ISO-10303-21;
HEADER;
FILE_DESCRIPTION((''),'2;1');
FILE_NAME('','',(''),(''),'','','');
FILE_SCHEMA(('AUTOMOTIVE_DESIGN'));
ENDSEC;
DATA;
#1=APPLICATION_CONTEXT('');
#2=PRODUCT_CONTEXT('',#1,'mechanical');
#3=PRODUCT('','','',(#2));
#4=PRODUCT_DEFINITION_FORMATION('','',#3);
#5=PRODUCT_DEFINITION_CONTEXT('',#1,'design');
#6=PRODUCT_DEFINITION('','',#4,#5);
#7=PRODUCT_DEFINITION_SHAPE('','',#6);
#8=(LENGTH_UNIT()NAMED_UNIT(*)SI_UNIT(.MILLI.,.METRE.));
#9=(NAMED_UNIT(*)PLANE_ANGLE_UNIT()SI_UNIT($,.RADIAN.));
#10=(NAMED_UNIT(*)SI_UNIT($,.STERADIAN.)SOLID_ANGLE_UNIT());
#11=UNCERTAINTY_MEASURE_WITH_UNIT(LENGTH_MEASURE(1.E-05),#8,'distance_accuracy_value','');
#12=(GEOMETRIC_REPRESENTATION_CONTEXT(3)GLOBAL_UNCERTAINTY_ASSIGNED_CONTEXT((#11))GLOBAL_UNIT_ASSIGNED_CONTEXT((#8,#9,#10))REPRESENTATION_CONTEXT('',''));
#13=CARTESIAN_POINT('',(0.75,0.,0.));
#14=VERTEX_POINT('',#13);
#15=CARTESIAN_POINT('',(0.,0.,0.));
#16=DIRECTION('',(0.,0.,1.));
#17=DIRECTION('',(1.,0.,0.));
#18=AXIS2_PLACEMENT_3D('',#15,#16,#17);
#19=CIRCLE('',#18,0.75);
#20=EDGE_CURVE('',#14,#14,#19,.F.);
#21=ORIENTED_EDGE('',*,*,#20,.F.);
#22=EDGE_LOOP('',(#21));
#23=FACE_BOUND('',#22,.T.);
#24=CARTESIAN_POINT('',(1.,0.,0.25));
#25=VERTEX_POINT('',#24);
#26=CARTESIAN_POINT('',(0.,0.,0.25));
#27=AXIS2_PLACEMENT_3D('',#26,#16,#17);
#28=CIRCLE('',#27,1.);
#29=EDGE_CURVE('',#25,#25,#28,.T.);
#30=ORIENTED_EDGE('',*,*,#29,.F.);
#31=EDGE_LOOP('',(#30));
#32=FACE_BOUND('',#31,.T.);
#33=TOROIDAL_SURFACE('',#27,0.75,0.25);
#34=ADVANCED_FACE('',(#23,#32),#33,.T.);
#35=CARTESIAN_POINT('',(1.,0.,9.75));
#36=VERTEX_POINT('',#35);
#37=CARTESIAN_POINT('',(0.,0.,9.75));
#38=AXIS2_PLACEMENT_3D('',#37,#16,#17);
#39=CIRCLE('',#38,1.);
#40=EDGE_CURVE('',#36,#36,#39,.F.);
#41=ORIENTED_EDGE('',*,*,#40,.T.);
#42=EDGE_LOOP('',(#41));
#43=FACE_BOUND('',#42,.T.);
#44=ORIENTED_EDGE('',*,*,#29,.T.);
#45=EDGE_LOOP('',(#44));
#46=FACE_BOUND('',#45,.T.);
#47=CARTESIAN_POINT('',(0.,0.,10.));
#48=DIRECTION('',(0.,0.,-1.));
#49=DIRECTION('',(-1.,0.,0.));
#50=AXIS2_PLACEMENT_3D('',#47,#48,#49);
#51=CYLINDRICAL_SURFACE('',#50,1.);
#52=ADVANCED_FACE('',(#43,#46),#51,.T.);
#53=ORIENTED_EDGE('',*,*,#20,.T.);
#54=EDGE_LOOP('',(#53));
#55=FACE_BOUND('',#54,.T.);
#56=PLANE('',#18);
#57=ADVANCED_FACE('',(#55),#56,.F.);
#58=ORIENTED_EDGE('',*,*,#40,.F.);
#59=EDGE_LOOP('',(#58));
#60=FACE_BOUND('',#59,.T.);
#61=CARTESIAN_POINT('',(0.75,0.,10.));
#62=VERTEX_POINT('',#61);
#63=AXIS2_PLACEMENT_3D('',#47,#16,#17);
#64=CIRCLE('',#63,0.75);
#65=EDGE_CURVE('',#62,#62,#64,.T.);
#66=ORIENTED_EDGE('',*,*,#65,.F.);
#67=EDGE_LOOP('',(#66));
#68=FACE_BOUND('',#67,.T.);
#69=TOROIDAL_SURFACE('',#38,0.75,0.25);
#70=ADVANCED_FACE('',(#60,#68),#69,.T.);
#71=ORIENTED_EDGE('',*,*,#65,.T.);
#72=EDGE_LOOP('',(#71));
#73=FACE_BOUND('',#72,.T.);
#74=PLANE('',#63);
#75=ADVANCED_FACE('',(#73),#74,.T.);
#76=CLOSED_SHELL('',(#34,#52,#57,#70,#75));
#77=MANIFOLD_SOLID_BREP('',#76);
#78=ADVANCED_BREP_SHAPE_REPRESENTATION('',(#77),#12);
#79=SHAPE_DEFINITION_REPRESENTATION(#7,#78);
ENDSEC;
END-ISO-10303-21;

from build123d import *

# Parameters (mm, degrees)
ESQUISSE1_R        = 1
BOSS_EXTRU_1_DEPTH = 10
CONG_1_R           = 0.25


with BuildPart() as part:
    # Esquisse1 → Boss.-Extru.1 (new body)
    with BuildSketch(Plane.XY):
        Circle(ESQUISSE1_R)
    extrude(amount=BOSS_EXTRU_1_DEPTH)

    # Congé1
    cong_1_edges = [part.edges().sort_by_distance(p)[0] for p in [
        (-1, 0, 0),
        (-1, 0, 10),
    ]]
    fillet(cong_1_edges, radius=CONG_1_R)


solid = part.part
